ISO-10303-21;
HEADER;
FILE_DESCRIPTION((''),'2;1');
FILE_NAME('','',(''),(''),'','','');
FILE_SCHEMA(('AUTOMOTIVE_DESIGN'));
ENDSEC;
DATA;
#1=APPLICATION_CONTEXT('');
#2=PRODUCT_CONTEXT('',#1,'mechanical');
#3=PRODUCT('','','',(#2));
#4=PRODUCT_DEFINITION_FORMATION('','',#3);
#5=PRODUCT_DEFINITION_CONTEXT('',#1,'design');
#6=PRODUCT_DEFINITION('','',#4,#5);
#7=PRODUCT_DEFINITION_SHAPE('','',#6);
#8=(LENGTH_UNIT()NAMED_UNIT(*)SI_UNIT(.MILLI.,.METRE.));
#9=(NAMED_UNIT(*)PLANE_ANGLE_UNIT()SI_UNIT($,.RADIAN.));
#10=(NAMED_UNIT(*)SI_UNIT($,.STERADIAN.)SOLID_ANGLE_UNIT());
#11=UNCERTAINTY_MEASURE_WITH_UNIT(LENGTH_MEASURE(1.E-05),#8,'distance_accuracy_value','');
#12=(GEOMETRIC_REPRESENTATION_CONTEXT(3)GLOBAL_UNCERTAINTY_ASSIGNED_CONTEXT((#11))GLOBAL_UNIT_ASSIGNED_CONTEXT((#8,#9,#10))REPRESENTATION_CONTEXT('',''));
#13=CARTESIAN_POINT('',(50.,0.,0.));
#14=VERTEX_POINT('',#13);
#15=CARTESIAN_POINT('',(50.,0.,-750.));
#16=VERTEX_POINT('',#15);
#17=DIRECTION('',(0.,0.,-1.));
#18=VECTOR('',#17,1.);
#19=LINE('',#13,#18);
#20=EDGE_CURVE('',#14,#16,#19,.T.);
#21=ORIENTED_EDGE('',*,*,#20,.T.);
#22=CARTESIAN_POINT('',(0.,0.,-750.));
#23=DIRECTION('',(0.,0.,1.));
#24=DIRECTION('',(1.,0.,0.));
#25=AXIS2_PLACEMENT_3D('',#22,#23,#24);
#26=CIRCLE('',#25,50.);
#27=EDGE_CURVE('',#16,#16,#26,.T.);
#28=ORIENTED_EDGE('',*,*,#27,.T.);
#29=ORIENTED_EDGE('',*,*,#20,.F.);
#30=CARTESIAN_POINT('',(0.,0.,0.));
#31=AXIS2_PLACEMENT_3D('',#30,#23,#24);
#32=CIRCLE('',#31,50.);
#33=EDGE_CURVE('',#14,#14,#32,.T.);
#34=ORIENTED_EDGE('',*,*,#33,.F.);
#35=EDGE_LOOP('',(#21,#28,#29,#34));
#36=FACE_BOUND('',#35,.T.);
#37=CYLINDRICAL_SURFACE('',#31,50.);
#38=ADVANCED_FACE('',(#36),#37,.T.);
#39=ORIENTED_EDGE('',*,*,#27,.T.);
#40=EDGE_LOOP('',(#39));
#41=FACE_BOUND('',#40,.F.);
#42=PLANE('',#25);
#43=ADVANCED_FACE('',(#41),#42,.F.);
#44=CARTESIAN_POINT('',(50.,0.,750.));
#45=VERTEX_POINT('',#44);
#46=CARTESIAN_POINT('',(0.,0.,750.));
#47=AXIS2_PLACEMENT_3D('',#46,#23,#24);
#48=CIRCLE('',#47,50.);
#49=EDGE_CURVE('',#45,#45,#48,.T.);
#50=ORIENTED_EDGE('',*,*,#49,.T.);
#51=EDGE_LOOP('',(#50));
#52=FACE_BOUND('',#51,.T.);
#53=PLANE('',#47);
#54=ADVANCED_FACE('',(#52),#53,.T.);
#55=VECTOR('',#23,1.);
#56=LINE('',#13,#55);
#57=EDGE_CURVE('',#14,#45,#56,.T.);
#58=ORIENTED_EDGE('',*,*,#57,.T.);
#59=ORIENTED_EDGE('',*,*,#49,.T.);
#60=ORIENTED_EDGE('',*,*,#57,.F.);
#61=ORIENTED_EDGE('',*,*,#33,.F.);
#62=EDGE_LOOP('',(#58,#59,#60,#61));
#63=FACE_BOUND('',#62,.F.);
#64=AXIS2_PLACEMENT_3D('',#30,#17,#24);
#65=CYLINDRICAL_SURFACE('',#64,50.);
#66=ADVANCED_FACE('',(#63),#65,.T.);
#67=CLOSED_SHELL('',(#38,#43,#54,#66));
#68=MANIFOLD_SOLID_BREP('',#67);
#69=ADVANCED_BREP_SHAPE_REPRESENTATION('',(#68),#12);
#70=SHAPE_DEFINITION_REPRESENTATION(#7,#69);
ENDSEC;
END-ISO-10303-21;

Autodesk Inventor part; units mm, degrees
ref_plane "YZ Plane" through (0, 0, 0) normal (1, 0, 0) x (0, 1, 0)
ref_plane "XZ Plane" through (0, 0, 0) normal (0, 1, 0) x (-1, 0, 0)
ref_plane "XY Plane" through (0, 0, 0) normal (0, 0, 1) x (1, 0, 0)
sketch "Boceto2" plane through (0, 0, 0) normal (0, 0, 1) x (1, 0, 0)
  circle A0 centre (0, 0) radius 50
  dimension "d0" = 100
extrude "Extrusión1" add sketch "Boceto2" along normal mid plane 1500
properties part number "rodante"
